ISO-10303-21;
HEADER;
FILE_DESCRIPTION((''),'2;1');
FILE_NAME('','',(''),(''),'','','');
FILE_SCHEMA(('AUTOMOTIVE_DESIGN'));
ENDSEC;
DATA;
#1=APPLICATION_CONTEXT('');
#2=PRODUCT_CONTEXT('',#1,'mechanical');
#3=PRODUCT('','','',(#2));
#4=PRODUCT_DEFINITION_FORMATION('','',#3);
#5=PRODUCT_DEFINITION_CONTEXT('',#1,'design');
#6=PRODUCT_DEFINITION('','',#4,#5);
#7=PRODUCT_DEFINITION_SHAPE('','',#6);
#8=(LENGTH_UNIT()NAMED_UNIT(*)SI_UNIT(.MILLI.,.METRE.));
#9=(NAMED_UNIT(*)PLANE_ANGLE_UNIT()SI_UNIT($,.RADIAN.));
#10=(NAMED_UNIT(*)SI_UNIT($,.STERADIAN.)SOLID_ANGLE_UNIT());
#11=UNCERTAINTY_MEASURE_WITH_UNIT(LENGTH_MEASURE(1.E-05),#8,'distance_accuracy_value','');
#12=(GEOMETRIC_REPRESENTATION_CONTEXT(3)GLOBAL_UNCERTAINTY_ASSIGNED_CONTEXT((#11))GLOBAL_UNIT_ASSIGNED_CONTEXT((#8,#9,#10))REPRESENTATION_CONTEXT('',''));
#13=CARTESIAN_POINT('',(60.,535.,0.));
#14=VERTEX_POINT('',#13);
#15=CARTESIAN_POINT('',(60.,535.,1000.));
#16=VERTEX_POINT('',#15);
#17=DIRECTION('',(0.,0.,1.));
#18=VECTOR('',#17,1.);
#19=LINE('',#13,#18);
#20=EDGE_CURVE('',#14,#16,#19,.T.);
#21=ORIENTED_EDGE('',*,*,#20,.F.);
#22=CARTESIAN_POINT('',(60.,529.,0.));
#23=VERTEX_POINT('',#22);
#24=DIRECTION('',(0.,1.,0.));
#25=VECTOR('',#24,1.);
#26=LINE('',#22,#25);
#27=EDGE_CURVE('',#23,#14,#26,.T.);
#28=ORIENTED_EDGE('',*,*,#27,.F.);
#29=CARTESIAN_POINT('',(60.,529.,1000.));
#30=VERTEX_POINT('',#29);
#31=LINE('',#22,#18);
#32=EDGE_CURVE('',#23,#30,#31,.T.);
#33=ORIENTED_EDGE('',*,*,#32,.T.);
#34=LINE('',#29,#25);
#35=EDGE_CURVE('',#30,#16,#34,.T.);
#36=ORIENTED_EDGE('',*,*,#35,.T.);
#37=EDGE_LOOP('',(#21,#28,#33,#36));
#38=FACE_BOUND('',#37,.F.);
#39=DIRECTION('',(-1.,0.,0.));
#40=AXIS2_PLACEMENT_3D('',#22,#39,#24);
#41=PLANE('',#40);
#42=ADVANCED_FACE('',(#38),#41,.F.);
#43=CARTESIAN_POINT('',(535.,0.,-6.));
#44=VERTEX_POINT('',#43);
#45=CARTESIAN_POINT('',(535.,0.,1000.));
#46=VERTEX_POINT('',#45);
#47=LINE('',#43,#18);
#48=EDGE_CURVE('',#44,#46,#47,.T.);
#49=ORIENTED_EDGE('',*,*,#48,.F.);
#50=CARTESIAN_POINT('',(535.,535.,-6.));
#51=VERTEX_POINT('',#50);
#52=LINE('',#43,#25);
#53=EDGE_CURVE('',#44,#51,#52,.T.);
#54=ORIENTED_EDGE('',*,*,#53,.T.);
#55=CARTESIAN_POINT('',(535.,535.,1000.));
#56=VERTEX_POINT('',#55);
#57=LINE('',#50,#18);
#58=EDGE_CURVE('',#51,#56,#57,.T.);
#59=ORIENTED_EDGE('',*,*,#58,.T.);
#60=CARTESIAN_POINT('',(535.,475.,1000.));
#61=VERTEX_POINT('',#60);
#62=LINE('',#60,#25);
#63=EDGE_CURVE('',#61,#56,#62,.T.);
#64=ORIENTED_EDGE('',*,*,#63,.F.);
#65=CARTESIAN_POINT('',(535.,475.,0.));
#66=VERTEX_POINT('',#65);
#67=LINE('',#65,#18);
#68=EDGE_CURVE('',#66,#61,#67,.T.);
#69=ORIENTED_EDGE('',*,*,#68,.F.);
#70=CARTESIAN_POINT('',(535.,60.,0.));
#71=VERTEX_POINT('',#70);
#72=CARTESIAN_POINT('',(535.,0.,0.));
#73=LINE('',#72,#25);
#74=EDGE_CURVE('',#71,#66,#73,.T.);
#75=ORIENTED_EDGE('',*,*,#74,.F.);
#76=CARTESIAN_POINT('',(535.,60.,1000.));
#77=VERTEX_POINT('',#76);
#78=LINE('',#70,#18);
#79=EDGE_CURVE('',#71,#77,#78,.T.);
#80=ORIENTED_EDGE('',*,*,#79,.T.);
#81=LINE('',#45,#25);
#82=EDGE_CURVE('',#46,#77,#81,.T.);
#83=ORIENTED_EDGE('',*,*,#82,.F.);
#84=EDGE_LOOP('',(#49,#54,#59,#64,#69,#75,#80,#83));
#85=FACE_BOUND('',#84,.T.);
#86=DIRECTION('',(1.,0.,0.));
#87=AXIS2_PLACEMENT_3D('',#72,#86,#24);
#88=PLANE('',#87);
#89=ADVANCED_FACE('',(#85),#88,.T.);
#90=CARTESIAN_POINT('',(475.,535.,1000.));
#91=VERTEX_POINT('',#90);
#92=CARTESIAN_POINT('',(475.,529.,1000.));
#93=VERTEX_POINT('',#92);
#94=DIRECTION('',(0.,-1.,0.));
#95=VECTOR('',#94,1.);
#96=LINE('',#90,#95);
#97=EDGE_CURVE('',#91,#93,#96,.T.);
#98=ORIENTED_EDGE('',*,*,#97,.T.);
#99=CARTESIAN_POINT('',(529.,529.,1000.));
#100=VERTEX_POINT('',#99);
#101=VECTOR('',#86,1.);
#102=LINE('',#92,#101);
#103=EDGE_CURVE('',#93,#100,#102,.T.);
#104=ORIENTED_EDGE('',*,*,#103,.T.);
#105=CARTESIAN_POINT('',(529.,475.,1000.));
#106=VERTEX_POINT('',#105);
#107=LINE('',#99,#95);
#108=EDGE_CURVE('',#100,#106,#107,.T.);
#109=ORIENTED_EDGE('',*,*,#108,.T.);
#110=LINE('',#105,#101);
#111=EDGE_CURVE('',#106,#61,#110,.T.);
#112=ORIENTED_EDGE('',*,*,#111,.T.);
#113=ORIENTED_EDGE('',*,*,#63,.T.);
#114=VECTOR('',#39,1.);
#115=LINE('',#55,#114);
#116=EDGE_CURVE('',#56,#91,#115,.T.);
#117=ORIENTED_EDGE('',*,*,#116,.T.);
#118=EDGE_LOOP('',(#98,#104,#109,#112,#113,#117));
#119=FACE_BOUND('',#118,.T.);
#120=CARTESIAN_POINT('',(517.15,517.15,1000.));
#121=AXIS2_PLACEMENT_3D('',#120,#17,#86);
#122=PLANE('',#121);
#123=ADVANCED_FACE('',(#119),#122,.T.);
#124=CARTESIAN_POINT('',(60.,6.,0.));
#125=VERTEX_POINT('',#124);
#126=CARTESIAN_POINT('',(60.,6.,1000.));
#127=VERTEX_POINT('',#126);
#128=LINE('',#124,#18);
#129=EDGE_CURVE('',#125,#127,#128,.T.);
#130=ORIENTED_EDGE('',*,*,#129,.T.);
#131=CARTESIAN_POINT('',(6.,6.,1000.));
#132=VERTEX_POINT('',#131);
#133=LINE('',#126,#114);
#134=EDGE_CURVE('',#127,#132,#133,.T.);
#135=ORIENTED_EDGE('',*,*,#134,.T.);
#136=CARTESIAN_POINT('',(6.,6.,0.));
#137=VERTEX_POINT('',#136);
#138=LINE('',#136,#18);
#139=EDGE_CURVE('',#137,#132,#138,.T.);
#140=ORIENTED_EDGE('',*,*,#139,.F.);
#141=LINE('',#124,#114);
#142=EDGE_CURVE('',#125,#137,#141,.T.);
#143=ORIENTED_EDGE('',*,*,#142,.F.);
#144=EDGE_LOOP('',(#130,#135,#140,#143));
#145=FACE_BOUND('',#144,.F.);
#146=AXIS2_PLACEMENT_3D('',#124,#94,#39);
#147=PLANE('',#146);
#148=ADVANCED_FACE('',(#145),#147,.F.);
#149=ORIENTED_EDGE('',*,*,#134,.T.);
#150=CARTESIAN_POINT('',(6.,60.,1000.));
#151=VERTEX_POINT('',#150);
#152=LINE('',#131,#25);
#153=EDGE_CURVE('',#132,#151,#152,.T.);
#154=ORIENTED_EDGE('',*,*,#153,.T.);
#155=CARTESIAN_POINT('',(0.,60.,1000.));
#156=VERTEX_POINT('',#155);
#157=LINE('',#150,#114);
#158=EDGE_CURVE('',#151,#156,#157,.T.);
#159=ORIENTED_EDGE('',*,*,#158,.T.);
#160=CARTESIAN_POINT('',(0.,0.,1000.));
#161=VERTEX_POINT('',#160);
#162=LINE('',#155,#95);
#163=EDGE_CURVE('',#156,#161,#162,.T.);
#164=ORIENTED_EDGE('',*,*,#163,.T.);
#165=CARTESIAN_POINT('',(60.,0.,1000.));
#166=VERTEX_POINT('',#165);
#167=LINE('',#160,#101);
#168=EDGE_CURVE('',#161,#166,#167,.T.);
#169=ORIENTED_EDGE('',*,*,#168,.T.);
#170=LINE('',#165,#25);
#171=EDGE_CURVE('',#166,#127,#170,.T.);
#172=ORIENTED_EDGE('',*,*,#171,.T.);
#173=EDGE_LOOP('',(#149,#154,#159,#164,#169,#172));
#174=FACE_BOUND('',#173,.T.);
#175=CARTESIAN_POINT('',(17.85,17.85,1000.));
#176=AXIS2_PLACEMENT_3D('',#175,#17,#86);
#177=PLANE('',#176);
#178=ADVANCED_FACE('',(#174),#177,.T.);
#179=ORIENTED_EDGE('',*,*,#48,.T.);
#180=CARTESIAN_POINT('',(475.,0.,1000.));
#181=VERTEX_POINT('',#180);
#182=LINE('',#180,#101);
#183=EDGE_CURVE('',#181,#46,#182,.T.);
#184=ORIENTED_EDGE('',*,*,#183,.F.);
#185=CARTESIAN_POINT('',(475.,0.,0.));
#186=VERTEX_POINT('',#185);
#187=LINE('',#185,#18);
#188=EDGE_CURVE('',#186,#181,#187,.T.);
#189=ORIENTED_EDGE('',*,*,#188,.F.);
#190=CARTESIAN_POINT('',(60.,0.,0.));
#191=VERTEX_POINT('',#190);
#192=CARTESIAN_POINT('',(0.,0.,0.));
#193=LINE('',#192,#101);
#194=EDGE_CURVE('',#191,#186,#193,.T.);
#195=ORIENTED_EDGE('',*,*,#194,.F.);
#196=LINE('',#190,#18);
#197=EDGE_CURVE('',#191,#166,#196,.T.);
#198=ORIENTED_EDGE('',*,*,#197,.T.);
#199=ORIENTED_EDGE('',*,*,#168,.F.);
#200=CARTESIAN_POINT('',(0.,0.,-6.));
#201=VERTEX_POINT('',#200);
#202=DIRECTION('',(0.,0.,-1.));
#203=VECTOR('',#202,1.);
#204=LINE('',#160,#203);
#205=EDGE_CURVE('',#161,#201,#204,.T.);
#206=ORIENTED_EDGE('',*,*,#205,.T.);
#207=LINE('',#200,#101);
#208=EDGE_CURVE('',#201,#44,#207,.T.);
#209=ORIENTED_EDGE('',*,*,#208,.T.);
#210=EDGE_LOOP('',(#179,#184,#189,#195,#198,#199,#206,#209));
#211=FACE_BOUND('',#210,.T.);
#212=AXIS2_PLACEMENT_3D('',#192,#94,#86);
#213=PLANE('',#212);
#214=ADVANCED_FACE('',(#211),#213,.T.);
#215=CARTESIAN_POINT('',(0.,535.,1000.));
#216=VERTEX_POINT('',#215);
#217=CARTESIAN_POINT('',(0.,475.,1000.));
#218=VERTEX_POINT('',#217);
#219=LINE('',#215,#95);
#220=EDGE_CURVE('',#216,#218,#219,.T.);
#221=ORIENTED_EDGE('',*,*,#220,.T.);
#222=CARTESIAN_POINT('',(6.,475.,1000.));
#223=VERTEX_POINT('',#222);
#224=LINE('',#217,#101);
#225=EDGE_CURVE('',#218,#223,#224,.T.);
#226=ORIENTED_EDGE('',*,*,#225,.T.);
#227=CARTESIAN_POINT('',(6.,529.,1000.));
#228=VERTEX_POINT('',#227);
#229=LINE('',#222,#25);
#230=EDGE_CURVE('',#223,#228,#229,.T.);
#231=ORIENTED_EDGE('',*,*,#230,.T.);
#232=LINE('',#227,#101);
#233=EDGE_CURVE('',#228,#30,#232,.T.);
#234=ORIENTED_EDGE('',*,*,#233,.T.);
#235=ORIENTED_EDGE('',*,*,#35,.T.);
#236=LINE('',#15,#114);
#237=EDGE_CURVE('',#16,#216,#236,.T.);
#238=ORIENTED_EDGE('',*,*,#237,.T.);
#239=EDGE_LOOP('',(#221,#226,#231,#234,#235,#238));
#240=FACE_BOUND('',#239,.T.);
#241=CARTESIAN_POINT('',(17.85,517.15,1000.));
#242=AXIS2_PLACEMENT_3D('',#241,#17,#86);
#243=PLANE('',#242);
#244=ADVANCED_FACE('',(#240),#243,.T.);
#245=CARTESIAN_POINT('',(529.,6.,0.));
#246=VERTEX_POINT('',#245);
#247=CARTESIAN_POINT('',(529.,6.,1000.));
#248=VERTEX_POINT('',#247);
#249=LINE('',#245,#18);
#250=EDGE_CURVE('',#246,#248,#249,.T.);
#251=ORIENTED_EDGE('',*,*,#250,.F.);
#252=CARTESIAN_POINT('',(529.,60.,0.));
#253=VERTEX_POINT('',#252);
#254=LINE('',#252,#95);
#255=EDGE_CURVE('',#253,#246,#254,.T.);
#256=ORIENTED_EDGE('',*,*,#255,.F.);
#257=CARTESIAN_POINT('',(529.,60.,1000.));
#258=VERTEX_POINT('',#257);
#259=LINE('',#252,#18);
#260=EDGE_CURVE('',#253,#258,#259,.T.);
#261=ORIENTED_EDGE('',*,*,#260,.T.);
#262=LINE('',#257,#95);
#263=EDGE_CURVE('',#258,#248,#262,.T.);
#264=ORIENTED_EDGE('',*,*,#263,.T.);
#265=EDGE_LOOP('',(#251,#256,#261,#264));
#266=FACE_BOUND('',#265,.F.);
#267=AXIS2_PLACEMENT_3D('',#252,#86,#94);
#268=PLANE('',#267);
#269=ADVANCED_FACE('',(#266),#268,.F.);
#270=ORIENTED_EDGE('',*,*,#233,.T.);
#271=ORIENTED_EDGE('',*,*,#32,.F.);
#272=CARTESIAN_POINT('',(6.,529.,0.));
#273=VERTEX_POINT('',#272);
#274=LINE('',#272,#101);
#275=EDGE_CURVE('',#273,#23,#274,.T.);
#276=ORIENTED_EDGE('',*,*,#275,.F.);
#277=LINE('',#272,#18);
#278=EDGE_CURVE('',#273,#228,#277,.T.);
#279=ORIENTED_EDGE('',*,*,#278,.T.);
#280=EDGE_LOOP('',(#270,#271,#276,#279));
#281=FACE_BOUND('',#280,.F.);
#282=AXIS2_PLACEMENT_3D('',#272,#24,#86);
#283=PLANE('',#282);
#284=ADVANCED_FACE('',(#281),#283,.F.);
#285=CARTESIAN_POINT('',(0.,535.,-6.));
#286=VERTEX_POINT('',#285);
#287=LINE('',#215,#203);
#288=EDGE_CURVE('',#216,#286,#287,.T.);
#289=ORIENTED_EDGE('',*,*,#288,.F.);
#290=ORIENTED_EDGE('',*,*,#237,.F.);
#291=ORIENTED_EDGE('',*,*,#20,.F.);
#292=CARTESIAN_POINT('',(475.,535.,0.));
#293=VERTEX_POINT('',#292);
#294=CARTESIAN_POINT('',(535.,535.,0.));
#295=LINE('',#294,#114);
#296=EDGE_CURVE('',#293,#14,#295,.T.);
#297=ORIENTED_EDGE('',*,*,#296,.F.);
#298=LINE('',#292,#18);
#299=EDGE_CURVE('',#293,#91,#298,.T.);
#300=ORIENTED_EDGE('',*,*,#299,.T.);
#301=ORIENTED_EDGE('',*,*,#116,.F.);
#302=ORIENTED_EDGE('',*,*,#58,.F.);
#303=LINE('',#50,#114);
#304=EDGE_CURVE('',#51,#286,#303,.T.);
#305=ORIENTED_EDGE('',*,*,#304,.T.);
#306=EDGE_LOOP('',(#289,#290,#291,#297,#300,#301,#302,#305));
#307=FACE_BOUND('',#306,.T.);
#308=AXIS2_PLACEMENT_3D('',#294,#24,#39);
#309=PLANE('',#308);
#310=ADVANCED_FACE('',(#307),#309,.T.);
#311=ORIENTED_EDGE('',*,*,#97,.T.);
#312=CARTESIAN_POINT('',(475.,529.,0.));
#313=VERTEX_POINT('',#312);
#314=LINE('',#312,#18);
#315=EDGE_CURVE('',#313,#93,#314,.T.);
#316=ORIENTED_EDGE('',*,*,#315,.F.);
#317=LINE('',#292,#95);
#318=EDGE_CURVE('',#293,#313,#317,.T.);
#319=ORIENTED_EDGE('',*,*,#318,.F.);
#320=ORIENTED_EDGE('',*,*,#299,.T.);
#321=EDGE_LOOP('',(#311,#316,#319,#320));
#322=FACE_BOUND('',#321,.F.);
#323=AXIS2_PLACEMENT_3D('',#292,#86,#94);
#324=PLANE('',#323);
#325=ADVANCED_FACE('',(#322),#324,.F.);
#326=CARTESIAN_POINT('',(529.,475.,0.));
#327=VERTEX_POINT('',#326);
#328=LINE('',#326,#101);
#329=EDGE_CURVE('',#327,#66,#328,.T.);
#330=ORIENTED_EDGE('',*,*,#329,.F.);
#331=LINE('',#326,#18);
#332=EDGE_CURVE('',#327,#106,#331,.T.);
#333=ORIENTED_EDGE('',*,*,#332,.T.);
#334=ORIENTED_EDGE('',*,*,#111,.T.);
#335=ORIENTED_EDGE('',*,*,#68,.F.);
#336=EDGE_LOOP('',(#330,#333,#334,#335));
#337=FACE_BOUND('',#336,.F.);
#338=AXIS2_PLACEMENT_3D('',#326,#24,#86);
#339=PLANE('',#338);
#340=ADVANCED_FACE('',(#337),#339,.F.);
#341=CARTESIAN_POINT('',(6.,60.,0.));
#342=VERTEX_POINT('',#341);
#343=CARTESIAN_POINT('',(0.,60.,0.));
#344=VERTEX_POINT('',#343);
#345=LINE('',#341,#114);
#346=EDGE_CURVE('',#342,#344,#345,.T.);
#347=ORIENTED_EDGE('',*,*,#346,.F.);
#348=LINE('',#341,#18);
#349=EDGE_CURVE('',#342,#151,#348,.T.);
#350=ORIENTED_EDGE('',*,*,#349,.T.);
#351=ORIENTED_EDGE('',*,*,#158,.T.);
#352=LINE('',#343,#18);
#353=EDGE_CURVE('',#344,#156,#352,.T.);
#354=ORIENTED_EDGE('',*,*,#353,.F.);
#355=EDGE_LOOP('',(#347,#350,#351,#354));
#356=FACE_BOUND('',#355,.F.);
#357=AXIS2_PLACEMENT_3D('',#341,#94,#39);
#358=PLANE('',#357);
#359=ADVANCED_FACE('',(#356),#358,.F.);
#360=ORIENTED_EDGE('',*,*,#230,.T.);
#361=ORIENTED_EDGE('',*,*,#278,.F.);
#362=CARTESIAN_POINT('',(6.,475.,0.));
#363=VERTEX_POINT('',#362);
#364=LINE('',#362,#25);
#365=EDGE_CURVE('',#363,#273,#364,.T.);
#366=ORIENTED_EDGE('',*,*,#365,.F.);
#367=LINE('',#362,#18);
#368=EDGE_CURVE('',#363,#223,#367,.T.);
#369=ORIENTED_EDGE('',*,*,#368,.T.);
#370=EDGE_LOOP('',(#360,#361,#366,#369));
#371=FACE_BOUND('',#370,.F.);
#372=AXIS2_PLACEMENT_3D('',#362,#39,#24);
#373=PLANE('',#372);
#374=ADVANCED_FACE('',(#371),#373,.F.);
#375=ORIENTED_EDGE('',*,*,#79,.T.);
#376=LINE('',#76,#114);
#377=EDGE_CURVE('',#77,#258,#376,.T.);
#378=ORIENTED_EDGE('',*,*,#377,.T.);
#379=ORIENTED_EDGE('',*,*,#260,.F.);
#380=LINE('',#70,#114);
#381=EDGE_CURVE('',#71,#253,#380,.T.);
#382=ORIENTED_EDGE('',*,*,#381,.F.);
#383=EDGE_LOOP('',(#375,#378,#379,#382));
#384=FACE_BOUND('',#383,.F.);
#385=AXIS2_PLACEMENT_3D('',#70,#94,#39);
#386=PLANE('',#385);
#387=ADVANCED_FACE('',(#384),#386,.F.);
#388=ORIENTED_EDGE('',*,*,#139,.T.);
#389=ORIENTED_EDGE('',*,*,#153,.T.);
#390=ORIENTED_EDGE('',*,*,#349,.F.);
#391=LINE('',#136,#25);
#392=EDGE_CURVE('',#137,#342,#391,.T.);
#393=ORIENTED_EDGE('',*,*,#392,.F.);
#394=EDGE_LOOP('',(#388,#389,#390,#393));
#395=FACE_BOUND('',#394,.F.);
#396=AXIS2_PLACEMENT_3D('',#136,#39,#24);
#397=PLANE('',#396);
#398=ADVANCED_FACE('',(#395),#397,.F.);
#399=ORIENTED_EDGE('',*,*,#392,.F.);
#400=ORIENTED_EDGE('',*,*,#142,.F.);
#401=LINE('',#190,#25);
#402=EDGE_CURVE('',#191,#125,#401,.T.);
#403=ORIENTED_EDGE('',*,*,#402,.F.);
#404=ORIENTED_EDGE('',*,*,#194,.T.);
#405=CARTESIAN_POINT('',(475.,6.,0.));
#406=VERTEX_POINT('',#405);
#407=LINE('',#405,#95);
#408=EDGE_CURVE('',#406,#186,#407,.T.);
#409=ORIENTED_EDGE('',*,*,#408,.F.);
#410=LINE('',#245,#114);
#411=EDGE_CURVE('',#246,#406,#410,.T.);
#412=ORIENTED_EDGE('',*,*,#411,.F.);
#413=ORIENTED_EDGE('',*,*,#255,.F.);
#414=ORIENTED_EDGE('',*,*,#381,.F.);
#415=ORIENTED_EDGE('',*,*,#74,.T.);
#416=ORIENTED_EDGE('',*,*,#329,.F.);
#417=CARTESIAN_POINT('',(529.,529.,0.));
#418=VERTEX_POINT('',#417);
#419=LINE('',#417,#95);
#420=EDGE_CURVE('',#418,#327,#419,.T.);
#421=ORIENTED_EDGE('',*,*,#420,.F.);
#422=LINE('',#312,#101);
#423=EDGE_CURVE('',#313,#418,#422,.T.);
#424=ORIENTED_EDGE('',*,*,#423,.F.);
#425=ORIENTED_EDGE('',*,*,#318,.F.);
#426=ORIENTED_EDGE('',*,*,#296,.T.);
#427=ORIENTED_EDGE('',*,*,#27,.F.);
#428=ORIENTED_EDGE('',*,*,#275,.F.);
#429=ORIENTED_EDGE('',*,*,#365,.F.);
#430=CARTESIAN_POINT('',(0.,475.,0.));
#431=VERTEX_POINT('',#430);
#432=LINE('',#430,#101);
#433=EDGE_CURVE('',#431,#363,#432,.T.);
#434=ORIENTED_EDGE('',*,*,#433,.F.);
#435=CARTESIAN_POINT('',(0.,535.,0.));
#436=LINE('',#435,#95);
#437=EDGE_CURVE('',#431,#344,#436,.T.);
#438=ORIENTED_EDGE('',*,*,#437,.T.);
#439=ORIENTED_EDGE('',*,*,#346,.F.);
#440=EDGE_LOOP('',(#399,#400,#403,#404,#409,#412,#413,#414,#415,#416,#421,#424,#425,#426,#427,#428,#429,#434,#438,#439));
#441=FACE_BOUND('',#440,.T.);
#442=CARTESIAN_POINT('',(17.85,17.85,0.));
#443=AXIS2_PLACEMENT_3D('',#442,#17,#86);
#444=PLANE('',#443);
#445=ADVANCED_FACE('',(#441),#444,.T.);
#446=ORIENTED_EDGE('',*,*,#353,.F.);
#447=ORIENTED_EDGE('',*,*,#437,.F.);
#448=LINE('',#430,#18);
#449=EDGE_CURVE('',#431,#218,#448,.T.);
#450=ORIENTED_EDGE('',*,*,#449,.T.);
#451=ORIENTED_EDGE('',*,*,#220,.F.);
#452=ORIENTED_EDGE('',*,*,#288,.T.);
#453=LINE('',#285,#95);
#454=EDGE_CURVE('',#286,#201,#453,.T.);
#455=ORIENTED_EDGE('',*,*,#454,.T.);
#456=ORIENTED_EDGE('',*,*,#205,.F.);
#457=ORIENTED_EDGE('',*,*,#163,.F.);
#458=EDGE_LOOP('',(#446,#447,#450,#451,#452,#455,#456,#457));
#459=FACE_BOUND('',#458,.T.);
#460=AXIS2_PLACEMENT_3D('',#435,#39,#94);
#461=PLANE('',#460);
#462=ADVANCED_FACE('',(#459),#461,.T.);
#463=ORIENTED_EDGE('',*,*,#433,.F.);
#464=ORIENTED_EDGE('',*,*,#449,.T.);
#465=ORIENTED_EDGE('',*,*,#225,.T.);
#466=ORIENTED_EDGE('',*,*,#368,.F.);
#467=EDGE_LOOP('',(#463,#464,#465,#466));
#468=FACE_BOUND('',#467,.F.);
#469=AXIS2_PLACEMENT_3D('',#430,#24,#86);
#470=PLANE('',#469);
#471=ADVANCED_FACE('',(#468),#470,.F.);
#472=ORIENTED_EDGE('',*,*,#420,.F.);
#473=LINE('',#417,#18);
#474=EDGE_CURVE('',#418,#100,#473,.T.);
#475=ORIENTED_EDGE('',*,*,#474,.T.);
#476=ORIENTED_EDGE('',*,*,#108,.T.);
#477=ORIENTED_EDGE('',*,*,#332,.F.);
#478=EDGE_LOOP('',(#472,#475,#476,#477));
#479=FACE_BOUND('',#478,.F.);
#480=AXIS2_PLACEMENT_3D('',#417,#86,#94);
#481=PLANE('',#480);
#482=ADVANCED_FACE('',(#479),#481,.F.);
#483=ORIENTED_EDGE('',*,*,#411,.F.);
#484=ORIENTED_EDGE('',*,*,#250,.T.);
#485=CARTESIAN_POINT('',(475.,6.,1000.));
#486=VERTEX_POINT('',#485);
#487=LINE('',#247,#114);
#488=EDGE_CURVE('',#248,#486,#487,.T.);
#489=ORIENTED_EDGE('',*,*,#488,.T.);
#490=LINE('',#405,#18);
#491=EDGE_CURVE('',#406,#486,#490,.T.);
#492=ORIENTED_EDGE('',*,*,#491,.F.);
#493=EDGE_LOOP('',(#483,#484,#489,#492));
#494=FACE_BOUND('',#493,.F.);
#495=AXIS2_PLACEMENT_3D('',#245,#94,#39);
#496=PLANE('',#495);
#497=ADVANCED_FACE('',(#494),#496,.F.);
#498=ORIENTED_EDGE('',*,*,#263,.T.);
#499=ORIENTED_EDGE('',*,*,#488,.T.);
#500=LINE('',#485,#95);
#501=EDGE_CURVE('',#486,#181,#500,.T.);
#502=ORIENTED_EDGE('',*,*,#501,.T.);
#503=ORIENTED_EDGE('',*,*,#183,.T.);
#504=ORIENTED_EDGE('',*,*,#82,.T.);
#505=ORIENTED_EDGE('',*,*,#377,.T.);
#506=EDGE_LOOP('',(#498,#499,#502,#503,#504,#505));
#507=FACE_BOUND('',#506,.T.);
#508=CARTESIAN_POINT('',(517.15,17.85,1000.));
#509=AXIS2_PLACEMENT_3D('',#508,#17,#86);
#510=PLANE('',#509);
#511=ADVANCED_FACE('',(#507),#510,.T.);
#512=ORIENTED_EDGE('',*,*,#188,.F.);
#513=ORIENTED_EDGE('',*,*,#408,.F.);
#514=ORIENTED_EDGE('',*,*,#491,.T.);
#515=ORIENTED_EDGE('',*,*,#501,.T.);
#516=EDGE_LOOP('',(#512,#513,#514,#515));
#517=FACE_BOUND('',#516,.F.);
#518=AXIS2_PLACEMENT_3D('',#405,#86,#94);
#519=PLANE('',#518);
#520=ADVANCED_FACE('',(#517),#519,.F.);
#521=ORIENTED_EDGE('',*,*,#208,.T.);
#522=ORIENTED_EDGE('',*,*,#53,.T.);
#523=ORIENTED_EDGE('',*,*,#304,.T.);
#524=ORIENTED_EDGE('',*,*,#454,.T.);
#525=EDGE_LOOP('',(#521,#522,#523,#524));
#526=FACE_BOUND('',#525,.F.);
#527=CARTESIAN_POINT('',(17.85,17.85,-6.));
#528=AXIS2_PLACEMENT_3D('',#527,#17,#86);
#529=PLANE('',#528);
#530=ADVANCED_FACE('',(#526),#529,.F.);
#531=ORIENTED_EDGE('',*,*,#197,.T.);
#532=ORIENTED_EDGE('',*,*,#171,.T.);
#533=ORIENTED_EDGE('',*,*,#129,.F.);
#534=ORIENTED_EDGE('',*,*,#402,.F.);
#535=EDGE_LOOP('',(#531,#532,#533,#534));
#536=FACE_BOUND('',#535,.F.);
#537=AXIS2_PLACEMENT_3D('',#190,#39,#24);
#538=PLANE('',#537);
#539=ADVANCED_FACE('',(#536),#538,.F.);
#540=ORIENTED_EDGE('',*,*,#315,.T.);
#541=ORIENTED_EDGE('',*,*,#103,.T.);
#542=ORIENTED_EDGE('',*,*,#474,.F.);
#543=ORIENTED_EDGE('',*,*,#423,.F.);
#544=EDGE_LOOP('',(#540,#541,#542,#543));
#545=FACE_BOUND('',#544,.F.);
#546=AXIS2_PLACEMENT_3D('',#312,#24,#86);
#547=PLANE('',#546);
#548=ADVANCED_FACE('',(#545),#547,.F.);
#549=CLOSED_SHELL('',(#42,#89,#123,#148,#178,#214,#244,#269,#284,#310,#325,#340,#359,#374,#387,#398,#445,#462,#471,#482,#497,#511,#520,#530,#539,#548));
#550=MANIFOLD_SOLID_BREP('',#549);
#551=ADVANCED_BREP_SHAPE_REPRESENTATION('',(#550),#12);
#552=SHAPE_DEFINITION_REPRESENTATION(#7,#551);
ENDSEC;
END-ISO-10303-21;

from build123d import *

# Parameters (mm, degrees)
F1_DEPTH = 1000
F2_DEPTH = 6


with BuildPart() as f1:
    # F0 (on Top) → F1 (new body)
    with BuildSketch(Plane.XY):
        Polygon((0, 535), (0, 475), (6, 475), (6, 529), (60, 529), (60, 535), align=None)
    extrude(amount=F1_DEPTH)



with BuildPart() as f1b:
    # F0 (on Top) → F1, piece 2 (new body)
    with BuildSketch(Plane.XY):
        Polygon((529, 475), (535, 475), (535, 535), (475, 535), (475, 529), (529, 529), align=None)
    extrude(amount=F1_DEPTH)


with BuildPart() as f1c:
    # F0 (on Top) → F1, piece 3 (new body)
    with BuildSketch(Plane.XY):
        Polygon((475, 6), (475, 0), (535, 0), (535, 60), (529, 60), (529, 6), align=None)
    extrude(amount=F1_DEPTH)


with BuildPart() as f1d:
    # F0 (on Top) → F1, piece 4 (new body)
    with BuildSketch(Plane.XY):
        Polygon((0, 60), (0, 0), (60, 0), (60, 6), (6, 6), (6, 60), align=None)
    extrude(amount=F1_DEPTH)


with BuildPart() as f1_1:
    add(f1.part)

    add(f1b.part)  # F2 merges F1b

    add(f1c.part)  # F2 merges F1c

    add(f1d.part)  # F2 merges F1d
    # F0 (on Top) → F2 (join)
    with BuildSketch(Plane.XY):
        Polygon((0, 60), (0, 0), (60, 0), (60, 6), (6, 6), (6, 60), align=None)
        Polygon((60, 6), (60, 0), (475, 0), (475, 6), (529, 6), (529, 60), (535, 60), (535, 475), (529, 475), (529, 529), (475, 529), (475, 535), (60, 535), (60, 529), (6, 529), (6, 475), (0, 475), (0, 60), (6, 60), (6, 6), align=None)
        Polygon((475, 6), (475, 0), (535, 0), (535, 60), (529, 60), (529, 6), align=None)
        Polygon((0, 535), (0, 475), (6, 475), (6, 529), (60, 529), (60, 535), align=None)
        Polygon((529, 475), (535, 475), (535, 535), (475, 535), (475, 529), (529, 529), align=None)
    extrude(amount=-F2_DEPTH)


solid = f1_1.part
